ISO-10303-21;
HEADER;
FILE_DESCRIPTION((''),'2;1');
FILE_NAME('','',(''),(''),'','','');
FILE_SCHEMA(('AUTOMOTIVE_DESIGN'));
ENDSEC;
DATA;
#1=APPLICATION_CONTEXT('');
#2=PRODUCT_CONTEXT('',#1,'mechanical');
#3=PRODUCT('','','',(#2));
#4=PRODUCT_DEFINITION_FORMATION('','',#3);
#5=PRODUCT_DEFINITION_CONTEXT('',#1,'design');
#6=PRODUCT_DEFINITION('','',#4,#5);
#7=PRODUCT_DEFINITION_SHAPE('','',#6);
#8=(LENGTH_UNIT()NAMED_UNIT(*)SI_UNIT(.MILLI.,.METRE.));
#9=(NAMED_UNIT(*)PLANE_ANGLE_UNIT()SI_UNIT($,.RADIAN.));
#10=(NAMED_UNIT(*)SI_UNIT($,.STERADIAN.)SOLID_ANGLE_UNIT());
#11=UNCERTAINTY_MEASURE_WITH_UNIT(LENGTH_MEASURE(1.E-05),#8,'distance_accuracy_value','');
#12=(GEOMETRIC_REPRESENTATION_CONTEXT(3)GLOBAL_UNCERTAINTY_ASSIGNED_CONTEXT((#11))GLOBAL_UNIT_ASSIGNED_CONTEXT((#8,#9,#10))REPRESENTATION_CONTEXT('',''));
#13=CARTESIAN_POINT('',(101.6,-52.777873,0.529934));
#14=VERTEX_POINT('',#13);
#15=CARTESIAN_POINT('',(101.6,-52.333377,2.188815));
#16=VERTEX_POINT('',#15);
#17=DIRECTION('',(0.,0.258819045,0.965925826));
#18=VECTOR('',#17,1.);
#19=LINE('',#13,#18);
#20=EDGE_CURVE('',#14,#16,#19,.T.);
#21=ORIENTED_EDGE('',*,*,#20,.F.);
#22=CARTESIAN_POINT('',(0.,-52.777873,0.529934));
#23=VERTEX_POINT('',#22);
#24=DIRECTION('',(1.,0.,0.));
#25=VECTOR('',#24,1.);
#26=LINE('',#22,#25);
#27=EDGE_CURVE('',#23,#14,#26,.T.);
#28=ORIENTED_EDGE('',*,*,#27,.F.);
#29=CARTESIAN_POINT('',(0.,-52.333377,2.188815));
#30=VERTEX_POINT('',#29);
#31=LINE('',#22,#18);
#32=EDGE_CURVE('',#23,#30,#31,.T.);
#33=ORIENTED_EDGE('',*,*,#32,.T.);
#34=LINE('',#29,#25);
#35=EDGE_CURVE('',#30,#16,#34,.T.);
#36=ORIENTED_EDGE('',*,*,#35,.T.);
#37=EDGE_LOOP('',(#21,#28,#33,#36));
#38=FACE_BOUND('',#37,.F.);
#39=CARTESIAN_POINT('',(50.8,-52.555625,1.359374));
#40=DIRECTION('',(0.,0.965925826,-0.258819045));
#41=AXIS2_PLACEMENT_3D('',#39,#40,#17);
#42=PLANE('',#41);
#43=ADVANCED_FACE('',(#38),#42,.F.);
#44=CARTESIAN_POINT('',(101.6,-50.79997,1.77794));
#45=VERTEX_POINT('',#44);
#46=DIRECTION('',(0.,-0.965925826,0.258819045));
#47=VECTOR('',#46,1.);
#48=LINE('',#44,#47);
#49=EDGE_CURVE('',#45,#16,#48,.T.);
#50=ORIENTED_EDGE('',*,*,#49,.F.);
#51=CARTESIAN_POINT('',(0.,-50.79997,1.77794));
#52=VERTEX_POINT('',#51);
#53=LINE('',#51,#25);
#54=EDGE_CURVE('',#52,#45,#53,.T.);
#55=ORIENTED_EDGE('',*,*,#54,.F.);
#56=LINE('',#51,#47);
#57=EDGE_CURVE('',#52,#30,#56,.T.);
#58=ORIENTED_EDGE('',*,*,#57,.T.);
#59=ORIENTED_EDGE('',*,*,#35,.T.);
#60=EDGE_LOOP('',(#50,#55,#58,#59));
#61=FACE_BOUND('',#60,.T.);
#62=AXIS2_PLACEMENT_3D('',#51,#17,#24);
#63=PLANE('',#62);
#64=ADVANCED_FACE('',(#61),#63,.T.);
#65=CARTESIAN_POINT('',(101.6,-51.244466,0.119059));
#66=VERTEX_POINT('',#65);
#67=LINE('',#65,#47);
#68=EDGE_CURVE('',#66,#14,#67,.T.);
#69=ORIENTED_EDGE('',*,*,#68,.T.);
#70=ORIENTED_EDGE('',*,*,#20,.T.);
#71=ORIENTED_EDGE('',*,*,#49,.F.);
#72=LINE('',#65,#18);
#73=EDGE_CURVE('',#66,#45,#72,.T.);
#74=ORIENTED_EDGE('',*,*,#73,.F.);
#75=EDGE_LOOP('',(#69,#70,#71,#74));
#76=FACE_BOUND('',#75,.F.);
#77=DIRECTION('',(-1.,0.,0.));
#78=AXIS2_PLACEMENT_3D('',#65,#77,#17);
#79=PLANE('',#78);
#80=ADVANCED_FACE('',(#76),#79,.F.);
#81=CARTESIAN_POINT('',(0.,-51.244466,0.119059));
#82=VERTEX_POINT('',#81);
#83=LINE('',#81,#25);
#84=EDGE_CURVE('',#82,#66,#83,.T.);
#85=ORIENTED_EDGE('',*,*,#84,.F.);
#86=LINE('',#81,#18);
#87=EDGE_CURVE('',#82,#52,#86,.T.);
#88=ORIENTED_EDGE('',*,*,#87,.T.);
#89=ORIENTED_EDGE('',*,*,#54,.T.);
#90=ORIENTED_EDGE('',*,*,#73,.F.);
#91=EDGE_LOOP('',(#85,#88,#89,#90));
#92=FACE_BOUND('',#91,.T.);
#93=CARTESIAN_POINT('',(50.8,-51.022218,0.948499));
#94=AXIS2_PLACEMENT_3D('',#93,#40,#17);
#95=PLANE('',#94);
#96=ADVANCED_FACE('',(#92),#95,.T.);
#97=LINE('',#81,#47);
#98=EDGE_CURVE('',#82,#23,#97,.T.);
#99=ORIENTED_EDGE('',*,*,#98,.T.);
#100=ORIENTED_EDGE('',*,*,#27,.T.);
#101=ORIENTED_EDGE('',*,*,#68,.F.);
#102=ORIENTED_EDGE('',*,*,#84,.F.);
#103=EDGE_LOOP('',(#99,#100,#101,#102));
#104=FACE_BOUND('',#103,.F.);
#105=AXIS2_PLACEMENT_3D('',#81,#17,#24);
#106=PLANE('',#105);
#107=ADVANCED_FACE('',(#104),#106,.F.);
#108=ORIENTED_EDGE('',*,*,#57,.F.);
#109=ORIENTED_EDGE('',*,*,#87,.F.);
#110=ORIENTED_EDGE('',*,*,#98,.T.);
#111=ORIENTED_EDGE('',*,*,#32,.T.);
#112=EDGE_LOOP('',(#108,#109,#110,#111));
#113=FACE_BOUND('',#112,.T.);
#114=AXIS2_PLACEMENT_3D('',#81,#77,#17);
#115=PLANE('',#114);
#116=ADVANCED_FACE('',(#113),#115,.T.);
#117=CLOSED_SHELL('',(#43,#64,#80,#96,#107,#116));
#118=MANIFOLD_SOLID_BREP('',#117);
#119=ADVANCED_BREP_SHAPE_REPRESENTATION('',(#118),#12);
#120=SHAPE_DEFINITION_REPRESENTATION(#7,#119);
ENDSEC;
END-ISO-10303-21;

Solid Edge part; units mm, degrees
sketch "Sketch1" plane through (50.8, -51.0283, 0.9258) normal (0, -0.9659, 0.2588) x (-1, 0, 0)
  line L0 (50.8, -0.8822) -> (-50.8, -0.8822)
  line L1 (-50.8, 0.8352) -> (-50.8, -0.8822)
  line L2 (50.8, 0.8352) -> (-50.8, 0.8352)
  line L3 (50.8, 0.8352) -> (50.8, -0.8822)
extrude "Protrusion1" add sketch "Sketch1" along normal blind 1.5875
